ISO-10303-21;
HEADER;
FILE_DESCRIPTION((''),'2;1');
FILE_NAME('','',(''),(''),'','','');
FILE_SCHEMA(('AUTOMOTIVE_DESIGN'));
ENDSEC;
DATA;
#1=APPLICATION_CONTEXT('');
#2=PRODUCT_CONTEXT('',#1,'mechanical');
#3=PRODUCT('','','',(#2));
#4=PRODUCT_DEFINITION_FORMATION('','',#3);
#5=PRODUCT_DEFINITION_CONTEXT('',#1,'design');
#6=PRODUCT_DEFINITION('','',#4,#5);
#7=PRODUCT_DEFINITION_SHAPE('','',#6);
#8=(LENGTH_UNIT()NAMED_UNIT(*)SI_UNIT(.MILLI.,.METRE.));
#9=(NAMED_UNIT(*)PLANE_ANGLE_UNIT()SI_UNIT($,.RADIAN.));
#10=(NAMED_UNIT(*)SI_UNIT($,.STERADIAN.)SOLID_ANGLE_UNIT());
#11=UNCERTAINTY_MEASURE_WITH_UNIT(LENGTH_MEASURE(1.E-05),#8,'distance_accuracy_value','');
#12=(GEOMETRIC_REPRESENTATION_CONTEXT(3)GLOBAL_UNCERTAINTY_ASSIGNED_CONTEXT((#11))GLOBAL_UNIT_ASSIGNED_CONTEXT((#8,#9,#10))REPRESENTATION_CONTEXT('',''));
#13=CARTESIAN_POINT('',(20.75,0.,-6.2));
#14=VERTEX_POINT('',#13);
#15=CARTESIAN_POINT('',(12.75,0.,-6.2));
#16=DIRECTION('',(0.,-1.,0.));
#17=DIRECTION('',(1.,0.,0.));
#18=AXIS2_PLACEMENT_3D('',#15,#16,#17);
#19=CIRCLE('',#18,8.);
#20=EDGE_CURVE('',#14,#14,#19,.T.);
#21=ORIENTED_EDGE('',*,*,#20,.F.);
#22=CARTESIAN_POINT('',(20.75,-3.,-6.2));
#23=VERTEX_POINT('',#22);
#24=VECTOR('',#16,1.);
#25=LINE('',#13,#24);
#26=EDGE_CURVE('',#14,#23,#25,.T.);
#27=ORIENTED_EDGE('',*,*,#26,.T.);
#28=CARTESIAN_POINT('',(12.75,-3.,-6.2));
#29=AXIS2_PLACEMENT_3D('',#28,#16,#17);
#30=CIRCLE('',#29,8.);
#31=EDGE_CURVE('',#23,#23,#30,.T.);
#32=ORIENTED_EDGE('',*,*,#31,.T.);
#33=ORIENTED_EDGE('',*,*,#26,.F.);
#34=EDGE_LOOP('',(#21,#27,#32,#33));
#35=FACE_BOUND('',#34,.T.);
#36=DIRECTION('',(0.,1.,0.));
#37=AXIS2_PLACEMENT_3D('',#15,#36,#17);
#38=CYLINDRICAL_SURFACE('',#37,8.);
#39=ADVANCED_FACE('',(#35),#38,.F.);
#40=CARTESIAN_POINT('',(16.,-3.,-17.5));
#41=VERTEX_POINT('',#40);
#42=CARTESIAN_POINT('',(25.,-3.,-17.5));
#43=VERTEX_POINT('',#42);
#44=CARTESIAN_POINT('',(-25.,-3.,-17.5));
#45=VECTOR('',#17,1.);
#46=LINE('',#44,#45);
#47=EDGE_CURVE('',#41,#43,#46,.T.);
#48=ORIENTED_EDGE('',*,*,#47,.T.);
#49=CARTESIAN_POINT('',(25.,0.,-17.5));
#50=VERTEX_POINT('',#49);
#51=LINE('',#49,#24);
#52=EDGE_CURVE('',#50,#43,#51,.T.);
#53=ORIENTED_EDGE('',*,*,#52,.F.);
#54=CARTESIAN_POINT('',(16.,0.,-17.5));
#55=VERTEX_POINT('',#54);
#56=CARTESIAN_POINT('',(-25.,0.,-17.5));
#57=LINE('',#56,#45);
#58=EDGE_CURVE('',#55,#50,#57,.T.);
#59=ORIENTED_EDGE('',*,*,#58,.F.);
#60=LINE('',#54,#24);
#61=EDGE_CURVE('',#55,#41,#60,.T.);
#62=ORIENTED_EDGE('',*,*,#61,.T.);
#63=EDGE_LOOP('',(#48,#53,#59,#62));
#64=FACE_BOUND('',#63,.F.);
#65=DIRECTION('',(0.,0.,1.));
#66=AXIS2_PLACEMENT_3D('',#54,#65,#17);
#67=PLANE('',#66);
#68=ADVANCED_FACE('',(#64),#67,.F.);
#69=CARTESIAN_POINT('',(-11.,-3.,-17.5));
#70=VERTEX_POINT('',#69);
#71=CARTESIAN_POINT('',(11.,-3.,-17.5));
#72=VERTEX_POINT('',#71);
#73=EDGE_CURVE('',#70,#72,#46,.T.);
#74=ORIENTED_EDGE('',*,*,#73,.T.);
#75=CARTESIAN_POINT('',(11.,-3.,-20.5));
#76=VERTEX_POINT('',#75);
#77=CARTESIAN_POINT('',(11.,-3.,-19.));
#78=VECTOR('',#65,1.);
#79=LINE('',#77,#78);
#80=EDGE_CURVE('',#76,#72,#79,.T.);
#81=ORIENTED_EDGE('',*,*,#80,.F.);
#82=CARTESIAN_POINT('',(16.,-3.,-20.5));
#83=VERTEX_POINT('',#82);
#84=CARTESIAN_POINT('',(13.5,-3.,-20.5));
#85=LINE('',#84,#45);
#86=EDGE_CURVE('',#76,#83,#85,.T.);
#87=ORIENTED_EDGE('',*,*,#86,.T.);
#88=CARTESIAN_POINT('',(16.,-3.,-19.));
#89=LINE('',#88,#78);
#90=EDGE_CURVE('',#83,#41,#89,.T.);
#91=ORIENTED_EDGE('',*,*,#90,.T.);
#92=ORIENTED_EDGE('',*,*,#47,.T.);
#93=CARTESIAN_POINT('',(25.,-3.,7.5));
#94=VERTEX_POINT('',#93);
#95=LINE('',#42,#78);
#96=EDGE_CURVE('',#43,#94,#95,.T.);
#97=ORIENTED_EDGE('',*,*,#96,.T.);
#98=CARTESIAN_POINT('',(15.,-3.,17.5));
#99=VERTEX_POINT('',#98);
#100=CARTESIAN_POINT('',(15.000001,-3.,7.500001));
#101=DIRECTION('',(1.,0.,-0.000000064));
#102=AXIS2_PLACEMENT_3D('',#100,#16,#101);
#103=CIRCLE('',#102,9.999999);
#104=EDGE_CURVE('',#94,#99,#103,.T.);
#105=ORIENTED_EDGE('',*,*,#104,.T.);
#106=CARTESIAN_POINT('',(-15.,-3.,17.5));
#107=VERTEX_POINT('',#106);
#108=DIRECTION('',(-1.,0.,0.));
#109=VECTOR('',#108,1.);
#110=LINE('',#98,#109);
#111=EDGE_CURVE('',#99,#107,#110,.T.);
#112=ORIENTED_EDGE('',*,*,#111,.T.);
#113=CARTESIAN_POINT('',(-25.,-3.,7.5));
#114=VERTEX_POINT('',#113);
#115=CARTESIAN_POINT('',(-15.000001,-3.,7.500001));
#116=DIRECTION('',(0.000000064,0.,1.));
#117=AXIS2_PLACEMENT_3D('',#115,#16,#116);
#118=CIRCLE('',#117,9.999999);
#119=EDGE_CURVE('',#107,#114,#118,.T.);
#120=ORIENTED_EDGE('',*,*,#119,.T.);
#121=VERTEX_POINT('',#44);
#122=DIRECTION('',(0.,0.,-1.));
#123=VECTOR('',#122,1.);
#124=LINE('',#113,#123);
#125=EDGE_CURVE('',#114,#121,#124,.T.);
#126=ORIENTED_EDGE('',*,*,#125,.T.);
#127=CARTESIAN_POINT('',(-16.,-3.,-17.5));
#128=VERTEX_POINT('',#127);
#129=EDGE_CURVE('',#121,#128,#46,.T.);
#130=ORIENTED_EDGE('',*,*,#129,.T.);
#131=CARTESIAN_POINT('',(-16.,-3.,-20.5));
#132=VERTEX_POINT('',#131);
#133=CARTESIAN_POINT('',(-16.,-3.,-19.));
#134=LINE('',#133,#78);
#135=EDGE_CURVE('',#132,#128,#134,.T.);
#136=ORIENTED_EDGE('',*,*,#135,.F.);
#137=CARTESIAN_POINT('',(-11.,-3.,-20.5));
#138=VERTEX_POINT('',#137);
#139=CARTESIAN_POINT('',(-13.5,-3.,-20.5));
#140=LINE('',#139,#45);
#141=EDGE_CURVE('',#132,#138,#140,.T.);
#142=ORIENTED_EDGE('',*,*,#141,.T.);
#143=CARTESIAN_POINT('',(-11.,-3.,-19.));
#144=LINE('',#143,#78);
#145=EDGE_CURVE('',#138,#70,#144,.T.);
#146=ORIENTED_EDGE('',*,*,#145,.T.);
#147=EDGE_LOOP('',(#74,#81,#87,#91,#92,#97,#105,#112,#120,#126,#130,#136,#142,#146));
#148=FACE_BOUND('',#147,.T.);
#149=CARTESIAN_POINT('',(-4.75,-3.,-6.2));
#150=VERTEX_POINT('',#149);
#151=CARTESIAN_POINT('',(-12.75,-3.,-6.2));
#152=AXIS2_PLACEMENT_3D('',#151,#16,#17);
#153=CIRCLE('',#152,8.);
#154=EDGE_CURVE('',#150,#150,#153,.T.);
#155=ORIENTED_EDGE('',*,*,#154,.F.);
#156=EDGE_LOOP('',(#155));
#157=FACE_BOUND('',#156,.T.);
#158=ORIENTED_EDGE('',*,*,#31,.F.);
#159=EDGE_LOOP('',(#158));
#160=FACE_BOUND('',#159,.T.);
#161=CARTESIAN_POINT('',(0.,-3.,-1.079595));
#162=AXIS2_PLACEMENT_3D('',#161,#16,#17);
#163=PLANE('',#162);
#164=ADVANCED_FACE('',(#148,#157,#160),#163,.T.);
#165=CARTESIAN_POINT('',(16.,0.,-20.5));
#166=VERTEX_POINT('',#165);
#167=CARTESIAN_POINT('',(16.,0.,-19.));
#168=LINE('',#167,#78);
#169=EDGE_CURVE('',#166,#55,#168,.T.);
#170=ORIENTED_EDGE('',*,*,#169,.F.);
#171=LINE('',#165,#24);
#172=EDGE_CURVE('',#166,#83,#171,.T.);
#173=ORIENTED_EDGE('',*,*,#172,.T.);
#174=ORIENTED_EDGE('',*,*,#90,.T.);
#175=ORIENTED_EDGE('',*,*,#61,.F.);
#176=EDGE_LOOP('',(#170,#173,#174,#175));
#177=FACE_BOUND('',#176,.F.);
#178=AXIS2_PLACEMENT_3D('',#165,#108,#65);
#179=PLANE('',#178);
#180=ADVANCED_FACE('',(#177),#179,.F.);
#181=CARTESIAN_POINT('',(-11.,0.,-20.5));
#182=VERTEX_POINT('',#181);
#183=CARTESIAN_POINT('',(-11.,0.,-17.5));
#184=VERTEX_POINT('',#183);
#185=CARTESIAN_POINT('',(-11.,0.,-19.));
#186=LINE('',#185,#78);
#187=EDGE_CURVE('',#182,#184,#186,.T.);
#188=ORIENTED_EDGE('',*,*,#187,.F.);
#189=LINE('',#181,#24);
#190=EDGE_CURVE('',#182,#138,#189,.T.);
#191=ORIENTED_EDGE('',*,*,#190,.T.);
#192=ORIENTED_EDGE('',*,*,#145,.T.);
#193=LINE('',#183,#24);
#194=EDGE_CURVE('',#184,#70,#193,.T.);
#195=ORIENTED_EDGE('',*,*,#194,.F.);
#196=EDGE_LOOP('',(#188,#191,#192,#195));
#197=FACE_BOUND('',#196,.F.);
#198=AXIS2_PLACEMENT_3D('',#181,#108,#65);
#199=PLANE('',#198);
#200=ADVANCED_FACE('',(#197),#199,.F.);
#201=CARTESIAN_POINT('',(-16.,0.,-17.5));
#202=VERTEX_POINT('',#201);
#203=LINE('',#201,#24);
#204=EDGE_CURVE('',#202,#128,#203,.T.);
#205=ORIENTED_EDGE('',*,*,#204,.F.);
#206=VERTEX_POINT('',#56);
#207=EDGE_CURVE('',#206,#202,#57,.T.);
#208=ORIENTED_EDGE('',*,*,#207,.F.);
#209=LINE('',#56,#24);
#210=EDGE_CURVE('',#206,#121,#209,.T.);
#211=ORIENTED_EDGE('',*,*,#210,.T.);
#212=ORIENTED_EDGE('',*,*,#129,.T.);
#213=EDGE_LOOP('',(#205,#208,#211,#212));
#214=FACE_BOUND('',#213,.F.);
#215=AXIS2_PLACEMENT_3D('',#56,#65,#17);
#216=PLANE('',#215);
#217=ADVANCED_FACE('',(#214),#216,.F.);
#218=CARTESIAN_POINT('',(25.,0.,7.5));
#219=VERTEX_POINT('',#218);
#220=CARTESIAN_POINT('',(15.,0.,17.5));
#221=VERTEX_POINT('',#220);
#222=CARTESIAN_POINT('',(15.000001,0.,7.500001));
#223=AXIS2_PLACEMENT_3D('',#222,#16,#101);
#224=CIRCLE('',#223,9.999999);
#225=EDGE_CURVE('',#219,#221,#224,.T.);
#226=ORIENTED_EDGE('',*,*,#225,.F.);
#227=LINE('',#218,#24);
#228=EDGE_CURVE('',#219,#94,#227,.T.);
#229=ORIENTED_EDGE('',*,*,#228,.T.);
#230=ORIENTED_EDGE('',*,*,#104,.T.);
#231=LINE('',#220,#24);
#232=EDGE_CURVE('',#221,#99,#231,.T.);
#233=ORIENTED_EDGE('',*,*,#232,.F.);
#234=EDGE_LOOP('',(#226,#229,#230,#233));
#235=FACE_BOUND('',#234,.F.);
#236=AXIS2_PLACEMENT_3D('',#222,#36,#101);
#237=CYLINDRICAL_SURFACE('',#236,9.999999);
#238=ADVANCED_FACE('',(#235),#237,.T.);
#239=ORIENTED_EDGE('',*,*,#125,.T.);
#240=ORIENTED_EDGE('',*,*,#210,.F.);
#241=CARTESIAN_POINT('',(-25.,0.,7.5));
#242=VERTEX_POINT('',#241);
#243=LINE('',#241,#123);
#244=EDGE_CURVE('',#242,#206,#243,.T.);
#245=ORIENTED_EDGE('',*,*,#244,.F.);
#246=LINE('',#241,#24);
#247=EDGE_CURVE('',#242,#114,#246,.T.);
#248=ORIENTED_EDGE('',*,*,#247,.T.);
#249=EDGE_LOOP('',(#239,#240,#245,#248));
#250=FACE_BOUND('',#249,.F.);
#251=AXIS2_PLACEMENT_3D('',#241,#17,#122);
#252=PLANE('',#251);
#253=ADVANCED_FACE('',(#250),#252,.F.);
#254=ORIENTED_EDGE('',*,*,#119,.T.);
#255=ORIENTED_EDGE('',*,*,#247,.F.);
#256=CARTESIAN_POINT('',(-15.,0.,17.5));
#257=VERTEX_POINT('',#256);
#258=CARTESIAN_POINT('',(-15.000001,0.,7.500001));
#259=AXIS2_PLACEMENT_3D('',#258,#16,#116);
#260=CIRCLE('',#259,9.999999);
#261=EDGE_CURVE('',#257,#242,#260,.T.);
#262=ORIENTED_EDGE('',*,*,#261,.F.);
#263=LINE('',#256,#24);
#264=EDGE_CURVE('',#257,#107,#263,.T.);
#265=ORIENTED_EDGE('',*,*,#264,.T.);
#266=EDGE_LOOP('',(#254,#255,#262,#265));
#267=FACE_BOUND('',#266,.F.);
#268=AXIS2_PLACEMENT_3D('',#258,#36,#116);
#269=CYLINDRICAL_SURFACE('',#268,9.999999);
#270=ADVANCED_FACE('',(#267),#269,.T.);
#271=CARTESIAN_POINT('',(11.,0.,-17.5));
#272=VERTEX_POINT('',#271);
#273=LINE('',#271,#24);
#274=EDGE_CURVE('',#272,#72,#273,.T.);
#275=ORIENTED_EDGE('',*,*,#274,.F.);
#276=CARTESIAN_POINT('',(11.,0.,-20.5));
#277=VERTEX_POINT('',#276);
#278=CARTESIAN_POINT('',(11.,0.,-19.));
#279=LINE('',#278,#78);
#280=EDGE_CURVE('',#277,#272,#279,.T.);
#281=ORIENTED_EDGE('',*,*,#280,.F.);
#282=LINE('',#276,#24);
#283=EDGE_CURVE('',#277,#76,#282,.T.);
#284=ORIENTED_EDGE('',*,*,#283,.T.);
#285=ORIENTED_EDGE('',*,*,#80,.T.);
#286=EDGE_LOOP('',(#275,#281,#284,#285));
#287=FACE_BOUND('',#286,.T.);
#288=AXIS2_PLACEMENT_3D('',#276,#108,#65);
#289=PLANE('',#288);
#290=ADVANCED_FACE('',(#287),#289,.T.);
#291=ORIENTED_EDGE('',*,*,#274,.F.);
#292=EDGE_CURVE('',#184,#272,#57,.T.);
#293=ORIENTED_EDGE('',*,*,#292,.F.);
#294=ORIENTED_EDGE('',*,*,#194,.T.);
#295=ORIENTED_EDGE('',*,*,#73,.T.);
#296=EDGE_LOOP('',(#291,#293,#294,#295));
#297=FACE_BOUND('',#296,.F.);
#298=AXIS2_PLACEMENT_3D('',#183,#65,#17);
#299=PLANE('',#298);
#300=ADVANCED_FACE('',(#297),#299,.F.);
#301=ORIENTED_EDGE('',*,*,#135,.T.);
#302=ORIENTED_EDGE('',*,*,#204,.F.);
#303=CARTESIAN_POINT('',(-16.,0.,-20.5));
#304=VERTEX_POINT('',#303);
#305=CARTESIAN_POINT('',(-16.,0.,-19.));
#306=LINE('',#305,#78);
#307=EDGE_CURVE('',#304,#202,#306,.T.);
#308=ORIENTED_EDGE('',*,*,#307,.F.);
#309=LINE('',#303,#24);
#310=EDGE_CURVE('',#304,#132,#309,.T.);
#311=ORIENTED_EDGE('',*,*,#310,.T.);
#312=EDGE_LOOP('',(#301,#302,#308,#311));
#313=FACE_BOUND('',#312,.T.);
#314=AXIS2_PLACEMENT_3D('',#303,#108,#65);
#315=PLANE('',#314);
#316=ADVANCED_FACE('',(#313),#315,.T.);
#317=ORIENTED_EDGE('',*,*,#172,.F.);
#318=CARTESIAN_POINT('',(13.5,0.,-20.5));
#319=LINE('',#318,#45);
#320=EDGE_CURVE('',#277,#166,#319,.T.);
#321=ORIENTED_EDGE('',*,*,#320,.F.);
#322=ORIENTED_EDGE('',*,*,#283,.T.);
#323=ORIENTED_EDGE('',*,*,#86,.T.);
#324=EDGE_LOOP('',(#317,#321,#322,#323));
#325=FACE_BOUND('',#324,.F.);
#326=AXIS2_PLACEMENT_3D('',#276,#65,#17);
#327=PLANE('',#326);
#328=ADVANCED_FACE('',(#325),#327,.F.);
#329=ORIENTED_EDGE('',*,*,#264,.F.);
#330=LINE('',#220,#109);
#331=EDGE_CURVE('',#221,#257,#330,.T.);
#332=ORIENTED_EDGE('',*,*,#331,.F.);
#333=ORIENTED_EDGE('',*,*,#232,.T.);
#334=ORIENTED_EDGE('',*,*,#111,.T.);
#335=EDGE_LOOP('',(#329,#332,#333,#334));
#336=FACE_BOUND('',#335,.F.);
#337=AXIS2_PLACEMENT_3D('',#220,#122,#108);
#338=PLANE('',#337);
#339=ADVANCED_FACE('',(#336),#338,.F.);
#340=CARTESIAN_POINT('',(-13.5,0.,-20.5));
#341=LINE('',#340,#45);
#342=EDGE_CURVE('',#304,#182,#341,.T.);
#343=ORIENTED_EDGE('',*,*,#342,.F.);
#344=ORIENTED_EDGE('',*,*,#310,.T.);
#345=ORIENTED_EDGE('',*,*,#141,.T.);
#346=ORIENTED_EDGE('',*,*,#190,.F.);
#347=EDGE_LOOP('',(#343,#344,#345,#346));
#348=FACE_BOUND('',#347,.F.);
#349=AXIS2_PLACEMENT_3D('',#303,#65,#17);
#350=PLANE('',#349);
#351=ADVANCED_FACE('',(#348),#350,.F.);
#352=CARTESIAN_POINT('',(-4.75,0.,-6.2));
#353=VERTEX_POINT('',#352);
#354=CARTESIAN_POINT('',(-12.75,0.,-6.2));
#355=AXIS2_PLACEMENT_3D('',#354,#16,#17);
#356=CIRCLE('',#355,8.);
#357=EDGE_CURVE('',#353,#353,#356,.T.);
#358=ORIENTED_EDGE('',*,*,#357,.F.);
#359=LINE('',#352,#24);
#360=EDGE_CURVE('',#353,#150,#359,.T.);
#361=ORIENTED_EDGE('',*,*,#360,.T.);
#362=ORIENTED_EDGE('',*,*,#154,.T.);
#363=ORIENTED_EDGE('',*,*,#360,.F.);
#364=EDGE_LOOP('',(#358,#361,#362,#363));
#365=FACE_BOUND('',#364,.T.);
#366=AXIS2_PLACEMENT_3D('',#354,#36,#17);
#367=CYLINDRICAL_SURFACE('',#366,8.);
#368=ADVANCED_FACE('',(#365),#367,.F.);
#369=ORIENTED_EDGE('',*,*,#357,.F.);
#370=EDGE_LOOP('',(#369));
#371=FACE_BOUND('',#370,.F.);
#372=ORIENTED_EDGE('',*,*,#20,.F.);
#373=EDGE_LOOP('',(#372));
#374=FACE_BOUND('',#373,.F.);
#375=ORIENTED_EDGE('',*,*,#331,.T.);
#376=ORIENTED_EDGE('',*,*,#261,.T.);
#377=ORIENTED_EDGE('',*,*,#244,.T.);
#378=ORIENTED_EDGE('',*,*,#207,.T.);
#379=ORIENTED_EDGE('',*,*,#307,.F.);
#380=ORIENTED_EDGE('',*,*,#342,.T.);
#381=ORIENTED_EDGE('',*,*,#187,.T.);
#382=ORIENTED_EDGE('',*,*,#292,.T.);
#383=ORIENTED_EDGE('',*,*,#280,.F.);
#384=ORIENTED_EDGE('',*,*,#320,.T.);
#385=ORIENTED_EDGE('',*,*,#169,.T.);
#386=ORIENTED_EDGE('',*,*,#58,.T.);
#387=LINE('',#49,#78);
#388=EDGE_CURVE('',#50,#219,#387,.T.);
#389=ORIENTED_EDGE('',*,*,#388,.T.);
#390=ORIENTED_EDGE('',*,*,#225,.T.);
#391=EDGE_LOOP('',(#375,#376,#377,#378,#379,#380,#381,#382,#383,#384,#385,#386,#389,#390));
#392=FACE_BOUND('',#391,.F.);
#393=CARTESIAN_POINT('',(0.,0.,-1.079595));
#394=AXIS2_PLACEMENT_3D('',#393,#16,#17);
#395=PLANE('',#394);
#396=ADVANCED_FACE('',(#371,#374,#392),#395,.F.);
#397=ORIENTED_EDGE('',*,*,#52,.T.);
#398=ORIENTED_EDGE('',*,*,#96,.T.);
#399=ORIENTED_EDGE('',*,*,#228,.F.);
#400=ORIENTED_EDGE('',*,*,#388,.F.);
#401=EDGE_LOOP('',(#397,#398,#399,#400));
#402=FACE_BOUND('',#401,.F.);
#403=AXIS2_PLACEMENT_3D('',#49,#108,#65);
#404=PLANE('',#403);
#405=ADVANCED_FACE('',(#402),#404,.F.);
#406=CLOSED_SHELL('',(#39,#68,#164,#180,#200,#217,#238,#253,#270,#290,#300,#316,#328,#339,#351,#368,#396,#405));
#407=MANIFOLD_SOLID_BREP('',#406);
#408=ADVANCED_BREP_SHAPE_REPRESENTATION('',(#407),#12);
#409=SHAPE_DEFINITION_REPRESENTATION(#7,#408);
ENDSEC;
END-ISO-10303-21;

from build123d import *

# Parameters (mm, degrees)
F0_R     = 8
F0_W     = 5
F0_H     = 3
F1_DEPTH = 3


with BuildPart() as f1:
    # F0 (on Front) → F1 (new body)
    with BuildSketch(Plane.XZ):
        with BuildLine():
            Line((15, 17.5), (-15, 17.5))
            ThreePointArc((-15, 17.5), (-22.071068, 14.571068), (-25, 7.5))
            Line((-25, 7.5), (-25, -17.5))
            Line((-25, -17.5), (-16, -17.5))
            Line((-16, -17.5), (-11, -17.5))
            Line((-11, -17.5), (11, -17.5))
            Line((11, -17.5), (16, -17.5))
            Line((16, -17.5), (25, -17.5))
            Line((25, -17.5), (25, 7.5))
            ThreePointArc((25, 7.5), (22.071068, 14.571068), (15, 17.5))
        make_face()
        with Locations((-12.75, -6.2)):
            Circle(F0_R, mode=Mode.SUBTRACT)
        with Locations((12.75, -6.2)):
            Circle(F0_R, mode=Mode.SUBTRACT)
        with Locations((-13.5, -19)):
            Rectangle(F0_W, F0_H)
        with Locations((13.5, -19)):
            Rectangle(F0_W, F0_H)
    extrude(amount=F1_DEPTH)


solid = f1.part
